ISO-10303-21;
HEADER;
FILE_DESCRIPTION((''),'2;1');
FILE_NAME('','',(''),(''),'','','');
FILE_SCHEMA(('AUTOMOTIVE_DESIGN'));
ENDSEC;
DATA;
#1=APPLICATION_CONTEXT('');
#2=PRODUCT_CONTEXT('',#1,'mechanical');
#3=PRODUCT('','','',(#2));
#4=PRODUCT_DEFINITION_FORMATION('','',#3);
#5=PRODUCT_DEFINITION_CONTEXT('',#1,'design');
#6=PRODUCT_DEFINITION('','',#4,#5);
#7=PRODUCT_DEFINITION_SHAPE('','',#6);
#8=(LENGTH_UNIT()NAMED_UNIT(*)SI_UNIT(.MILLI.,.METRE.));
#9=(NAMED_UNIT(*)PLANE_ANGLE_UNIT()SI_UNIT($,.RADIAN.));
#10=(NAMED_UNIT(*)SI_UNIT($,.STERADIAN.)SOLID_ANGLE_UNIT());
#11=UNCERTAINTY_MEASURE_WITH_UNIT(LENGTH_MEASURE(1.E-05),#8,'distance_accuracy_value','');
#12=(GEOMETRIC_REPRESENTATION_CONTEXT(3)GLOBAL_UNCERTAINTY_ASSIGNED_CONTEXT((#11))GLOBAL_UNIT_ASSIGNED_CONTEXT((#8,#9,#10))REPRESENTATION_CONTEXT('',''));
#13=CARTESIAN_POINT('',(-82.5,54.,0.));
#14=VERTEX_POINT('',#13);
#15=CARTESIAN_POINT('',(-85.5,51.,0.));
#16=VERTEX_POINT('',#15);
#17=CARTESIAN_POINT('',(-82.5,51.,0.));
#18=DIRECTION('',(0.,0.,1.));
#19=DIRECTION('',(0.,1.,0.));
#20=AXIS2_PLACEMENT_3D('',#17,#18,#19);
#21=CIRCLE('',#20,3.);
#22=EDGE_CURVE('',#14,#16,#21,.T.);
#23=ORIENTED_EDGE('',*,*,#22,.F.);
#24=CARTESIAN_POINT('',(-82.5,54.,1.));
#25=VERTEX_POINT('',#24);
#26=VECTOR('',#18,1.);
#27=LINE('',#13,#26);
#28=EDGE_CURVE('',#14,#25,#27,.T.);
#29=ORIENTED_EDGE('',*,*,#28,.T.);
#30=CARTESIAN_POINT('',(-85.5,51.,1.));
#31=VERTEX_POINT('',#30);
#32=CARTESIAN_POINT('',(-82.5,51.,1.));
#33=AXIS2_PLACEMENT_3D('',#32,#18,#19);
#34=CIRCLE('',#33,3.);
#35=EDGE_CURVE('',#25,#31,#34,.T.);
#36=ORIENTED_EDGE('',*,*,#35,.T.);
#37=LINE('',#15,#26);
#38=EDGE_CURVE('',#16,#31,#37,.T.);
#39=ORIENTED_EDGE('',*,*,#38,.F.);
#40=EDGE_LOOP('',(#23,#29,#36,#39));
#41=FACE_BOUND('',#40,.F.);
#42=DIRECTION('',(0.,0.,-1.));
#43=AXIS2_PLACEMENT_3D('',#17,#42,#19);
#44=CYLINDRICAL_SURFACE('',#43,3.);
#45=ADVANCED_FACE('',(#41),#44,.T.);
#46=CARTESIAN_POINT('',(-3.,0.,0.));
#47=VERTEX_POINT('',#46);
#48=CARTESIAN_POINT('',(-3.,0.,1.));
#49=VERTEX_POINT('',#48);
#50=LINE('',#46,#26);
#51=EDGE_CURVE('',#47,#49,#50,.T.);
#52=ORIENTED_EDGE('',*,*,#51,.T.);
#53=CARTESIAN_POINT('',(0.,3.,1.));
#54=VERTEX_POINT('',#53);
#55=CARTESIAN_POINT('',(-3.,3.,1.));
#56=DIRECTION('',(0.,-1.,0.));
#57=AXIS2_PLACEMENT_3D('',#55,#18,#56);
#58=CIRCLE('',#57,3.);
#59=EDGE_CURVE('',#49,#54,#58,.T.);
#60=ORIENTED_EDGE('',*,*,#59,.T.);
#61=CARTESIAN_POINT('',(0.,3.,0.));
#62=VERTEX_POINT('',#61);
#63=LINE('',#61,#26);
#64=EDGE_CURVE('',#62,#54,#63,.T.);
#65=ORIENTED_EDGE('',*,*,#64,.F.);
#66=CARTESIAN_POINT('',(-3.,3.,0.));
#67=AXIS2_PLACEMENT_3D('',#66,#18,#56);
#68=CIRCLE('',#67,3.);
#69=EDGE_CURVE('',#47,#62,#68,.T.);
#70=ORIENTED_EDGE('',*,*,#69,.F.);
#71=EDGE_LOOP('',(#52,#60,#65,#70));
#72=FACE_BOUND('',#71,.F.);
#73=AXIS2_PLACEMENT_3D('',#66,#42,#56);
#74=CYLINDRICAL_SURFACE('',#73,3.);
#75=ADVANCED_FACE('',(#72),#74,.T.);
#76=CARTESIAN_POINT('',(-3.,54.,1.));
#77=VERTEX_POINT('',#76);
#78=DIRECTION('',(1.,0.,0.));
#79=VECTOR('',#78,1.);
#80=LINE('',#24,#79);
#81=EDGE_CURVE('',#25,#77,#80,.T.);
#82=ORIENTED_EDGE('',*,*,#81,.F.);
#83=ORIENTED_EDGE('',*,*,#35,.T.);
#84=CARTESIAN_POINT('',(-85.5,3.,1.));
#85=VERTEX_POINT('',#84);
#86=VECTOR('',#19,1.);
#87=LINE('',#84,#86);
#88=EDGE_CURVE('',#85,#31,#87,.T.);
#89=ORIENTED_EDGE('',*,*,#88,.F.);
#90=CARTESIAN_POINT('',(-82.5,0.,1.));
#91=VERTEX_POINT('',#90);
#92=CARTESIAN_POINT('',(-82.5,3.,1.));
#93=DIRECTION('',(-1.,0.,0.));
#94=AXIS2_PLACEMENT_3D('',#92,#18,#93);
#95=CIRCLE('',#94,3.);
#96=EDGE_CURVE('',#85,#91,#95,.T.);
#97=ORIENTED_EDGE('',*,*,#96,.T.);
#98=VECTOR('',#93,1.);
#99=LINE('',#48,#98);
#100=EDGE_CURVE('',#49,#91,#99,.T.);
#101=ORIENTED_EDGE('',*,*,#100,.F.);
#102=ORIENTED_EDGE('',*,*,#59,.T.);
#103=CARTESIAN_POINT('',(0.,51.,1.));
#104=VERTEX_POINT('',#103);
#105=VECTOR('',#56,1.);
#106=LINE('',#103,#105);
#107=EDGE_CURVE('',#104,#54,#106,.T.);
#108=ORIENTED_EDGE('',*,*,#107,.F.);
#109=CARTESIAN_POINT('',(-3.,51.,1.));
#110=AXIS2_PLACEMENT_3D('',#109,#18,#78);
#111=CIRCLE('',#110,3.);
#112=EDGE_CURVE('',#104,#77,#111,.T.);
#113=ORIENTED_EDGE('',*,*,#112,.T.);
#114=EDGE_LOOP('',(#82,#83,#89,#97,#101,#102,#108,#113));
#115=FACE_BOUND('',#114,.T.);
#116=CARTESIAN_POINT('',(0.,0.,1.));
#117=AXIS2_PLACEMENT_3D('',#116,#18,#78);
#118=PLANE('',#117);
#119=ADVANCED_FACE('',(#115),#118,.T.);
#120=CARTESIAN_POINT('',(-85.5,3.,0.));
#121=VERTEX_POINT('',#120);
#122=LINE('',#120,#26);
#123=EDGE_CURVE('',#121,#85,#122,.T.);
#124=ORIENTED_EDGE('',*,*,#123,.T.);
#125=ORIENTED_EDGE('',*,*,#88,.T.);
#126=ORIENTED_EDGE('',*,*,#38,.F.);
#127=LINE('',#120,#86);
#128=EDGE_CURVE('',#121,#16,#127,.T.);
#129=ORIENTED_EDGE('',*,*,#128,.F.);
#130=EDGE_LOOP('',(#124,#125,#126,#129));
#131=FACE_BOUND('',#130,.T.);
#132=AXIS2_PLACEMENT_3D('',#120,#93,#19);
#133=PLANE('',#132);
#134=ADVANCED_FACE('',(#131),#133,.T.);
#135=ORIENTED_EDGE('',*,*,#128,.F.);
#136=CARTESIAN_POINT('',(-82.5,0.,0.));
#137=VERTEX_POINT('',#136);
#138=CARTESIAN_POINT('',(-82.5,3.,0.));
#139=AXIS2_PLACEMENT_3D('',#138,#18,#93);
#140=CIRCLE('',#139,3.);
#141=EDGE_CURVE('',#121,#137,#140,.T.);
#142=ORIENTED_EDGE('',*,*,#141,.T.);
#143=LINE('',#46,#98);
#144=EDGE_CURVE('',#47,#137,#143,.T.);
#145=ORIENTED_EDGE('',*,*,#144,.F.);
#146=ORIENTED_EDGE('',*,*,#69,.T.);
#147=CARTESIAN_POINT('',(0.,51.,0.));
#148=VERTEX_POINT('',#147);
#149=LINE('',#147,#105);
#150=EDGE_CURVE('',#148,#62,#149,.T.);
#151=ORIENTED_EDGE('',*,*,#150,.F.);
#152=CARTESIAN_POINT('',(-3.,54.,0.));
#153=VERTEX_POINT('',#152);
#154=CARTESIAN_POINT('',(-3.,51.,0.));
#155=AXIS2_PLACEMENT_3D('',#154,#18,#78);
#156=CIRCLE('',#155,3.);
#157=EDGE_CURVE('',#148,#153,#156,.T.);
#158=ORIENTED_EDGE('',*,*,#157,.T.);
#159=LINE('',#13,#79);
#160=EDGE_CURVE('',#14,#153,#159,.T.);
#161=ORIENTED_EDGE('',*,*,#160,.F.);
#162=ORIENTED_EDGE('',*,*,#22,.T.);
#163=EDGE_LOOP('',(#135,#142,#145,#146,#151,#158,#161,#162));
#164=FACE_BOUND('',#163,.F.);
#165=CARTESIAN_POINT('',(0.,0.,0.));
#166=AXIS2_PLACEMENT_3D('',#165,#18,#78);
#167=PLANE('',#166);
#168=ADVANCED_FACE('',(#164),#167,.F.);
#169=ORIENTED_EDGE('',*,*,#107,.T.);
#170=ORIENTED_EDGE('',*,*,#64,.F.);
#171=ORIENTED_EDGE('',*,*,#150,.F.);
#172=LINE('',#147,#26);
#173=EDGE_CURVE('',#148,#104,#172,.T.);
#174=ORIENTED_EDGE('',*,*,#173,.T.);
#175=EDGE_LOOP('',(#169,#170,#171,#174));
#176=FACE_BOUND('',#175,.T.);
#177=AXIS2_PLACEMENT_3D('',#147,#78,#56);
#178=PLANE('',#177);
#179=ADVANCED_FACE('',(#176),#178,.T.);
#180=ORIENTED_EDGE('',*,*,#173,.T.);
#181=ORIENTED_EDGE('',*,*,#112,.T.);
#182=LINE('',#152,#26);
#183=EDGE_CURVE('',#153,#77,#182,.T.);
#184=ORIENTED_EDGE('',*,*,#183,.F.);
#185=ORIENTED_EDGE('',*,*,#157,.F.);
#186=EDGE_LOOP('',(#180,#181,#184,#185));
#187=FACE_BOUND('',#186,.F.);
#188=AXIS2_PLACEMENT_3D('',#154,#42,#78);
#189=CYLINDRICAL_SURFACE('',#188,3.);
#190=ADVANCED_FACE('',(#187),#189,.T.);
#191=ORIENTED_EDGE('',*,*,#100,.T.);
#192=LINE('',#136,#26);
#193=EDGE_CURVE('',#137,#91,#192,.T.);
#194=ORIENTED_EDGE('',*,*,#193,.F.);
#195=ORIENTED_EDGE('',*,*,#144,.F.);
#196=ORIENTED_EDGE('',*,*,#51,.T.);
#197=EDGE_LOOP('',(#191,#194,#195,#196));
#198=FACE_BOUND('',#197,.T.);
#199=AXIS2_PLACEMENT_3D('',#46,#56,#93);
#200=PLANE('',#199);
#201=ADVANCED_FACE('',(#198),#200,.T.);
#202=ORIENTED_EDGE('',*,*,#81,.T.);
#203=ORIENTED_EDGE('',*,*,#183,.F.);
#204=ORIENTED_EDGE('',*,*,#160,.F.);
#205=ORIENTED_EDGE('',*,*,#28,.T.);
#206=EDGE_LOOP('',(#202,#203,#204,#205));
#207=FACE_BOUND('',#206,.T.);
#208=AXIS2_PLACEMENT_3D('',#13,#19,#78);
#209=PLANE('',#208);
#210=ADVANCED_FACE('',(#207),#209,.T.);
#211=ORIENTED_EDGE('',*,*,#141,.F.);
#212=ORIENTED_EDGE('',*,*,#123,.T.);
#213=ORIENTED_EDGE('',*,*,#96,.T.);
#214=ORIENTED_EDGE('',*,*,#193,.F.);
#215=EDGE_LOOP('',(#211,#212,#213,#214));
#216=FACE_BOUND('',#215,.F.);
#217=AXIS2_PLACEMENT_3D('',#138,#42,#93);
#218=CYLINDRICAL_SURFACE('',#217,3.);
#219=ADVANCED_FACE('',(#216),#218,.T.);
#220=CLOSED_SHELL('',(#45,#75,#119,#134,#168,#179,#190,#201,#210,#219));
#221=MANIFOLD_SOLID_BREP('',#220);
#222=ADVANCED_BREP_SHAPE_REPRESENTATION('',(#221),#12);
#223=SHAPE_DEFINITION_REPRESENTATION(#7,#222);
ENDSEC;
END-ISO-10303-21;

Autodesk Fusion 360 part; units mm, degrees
sketch "Sketch1" plane through (0, 0, 0) normal (0, 0, 1) x (1, 0, 0)
  line L0 (-3, 0) -> (-82.5, 0)
  line L1 (-85.5, 3) -> (-85.5, 51)
  line L2 (-82.5, 54) -> (-3, 54)
  line L3 (0, 51) -> (0, 3)
  arc A0 (0, 51) -> (-3, 54) centre (-3, 51) ccw
  arc A1 (-82.5, 54) -> (-85.5, 51) centre (-82.5, 51) ccw
  arc A2 (-85.5, 3) -> (-82.5, 0) centre (-82.5, 3) ccw
  arc A3 (-3, 0) -> (0, 3) centre (-3, 3) ccw
  point P0 (-85.5, 0)
  point P1 (0, 54)
  dimension "d1" = 85.5
  dimension "d2" = 54
  dimension "d3" = 3
  dimension "d4" = 3
  dimension "d5" = 3
  dimension "d6" = 3
extrude "Extrude1" add sketch "Sketch1" along normal blind 1
